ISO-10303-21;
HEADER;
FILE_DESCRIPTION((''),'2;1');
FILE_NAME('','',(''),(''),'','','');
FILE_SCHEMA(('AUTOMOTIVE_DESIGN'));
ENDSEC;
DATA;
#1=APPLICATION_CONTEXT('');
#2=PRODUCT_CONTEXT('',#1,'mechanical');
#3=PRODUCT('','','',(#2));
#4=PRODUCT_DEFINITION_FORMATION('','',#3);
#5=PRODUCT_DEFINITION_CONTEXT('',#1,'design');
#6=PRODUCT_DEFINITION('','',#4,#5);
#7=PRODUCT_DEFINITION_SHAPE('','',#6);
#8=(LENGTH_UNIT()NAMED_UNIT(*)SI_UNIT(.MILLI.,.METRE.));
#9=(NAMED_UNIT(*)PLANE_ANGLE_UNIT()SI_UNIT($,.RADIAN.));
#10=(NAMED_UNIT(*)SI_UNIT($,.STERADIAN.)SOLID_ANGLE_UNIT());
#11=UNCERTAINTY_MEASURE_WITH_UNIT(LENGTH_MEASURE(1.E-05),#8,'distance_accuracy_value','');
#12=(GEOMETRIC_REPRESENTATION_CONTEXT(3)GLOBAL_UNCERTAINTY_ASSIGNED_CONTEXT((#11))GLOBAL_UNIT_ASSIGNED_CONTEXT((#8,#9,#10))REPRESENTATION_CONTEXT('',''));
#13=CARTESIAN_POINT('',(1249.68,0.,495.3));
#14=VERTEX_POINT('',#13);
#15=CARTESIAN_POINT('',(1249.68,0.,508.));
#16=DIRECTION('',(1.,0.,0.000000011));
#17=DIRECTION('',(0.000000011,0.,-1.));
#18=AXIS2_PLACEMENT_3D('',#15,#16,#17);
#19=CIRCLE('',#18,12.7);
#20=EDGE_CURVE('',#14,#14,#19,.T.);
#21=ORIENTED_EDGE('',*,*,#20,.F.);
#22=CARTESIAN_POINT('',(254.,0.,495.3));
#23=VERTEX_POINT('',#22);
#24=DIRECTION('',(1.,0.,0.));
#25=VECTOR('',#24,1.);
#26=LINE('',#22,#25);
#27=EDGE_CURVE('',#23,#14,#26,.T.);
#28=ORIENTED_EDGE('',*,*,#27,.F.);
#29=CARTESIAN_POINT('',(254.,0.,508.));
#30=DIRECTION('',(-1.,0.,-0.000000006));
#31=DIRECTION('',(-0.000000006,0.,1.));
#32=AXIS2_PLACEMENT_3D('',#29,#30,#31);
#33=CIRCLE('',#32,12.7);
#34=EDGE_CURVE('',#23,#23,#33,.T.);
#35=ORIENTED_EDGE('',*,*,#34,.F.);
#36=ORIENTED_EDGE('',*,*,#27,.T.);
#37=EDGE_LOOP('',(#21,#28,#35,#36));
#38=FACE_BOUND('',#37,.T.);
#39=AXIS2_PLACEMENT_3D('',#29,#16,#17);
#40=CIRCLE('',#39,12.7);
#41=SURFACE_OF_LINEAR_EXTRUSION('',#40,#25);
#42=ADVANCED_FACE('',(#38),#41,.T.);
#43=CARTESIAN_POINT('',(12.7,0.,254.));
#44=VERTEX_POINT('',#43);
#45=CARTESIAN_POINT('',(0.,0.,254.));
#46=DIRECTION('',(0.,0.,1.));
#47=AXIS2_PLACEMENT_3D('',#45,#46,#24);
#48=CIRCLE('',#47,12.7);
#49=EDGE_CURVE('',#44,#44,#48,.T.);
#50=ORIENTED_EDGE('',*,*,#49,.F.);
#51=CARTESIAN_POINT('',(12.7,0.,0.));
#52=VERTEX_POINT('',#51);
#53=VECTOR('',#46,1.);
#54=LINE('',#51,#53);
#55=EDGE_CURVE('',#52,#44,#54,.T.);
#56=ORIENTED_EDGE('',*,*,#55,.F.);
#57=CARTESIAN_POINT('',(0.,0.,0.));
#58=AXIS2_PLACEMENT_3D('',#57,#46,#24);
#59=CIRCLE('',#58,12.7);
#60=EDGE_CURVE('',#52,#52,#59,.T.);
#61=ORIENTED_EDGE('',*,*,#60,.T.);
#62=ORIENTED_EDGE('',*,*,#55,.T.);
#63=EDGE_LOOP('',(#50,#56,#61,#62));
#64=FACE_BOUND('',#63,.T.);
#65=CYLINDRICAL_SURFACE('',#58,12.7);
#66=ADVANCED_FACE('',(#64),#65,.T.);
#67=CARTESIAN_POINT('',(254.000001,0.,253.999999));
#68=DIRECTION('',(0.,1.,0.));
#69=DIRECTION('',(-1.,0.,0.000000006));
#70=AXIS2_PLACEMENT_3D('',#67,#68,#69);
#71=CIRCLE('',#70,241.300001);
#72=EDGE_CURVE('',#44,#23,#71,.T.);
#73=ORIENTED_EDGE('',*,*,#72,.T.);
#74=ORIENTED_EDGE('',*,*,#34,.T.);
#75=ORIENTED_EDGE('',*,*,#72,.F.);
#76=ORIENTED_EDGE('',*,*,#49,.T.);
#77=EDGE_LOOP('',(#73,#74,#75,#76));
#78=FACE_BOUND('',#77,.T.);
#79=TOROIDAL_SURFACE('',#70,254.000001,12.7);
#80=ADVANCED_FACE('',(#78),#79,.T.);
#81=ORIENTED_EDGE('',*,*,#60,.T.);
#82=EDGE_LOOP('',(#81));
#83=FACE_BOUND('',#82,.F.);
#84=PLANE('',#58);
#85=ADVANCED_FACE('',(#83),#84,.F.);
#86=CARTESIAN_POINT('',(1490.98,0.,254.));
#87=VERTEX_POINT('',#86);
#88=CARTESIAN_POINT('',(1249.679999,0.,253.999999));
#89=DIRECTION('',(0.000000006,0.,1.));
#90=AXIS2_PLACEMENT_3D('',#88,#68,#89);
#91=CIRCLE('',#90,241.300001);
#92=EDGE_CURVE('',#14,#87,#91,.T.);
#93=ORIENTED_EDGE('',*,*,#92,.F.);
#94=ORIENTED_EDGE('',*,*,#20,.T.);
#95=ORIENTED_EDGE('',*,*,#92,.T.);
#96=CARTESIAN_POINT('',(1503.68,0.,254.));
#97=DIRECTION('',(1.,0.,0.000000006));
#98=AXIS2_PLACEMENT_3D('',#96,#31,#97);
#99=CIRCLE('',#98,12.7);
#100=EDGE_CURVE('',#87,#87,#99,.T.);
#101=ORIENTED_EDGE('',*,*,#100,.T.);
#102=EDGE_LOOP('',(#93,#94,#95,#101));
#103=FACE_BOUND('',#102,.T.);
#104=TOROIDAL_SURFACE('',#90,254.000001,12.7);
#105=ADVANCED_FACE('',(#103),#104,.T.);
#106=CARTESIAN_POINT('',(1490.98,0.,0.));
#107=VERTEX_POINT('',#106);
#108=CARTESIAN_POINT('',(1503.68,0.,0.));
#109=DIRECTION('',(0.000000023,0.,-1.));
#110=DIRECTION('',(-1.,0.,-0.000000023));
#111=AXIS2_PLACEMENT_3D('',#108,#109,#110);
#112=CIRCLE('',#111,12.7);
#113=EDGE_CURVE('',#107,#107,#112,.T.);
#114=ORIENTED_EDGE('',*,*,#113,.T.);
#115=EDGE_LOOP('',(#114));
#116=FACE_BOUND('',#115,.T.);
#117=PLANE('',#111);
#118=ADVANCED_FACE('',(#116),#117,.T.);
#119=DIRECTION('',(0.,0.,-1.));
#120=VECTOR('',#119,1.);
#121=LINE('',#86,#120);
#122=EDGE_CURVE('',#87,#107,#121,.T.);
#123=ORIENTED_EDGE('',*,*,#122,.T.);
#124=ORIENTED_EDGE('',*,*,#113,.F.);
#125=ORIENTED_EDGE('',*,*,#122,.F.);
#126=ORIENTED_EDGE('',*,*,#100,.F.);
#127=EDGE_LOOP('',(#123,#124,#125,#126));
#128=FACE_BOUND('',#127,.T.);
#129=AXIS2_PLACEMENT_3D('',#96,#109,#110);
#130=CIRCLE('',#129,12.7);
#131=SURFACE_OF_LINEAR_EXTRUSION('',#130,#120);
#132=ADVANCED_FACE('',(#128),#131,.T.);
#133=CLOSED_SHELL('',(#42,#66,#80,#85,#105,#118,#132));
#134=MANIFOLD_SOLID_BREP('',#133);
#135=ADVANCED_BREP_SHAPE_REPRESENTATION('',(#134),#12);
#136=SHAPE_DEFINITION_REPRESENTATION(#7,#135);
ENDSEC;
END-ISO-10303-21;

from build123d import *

# Parameters (mm, degrees)
F1_R = 12.7


with BuildPart() as f2:
    # F2: sweep along a path in F0
    with BuildLine(Plane.XZ) as f2_path:
        Line((0, 0), (0, 254))
        ThreePointArc((0, 254), (74.394878, 433.605122), (254, 508))
        Line((254, 508), (1249.68, 508))
        ThreePointArc((1249.68, 508), (1429.285122, 433.605122), (1503.68, 254))
        Line((1503.68, 254), (1503.68, 0))
    # F1 (on Top) → F2 (sweep)
    with BuildSketch(Plane.XY):
        Circle(F1_R)
    sweep(path=f2_path.line)


solid = f2.part
